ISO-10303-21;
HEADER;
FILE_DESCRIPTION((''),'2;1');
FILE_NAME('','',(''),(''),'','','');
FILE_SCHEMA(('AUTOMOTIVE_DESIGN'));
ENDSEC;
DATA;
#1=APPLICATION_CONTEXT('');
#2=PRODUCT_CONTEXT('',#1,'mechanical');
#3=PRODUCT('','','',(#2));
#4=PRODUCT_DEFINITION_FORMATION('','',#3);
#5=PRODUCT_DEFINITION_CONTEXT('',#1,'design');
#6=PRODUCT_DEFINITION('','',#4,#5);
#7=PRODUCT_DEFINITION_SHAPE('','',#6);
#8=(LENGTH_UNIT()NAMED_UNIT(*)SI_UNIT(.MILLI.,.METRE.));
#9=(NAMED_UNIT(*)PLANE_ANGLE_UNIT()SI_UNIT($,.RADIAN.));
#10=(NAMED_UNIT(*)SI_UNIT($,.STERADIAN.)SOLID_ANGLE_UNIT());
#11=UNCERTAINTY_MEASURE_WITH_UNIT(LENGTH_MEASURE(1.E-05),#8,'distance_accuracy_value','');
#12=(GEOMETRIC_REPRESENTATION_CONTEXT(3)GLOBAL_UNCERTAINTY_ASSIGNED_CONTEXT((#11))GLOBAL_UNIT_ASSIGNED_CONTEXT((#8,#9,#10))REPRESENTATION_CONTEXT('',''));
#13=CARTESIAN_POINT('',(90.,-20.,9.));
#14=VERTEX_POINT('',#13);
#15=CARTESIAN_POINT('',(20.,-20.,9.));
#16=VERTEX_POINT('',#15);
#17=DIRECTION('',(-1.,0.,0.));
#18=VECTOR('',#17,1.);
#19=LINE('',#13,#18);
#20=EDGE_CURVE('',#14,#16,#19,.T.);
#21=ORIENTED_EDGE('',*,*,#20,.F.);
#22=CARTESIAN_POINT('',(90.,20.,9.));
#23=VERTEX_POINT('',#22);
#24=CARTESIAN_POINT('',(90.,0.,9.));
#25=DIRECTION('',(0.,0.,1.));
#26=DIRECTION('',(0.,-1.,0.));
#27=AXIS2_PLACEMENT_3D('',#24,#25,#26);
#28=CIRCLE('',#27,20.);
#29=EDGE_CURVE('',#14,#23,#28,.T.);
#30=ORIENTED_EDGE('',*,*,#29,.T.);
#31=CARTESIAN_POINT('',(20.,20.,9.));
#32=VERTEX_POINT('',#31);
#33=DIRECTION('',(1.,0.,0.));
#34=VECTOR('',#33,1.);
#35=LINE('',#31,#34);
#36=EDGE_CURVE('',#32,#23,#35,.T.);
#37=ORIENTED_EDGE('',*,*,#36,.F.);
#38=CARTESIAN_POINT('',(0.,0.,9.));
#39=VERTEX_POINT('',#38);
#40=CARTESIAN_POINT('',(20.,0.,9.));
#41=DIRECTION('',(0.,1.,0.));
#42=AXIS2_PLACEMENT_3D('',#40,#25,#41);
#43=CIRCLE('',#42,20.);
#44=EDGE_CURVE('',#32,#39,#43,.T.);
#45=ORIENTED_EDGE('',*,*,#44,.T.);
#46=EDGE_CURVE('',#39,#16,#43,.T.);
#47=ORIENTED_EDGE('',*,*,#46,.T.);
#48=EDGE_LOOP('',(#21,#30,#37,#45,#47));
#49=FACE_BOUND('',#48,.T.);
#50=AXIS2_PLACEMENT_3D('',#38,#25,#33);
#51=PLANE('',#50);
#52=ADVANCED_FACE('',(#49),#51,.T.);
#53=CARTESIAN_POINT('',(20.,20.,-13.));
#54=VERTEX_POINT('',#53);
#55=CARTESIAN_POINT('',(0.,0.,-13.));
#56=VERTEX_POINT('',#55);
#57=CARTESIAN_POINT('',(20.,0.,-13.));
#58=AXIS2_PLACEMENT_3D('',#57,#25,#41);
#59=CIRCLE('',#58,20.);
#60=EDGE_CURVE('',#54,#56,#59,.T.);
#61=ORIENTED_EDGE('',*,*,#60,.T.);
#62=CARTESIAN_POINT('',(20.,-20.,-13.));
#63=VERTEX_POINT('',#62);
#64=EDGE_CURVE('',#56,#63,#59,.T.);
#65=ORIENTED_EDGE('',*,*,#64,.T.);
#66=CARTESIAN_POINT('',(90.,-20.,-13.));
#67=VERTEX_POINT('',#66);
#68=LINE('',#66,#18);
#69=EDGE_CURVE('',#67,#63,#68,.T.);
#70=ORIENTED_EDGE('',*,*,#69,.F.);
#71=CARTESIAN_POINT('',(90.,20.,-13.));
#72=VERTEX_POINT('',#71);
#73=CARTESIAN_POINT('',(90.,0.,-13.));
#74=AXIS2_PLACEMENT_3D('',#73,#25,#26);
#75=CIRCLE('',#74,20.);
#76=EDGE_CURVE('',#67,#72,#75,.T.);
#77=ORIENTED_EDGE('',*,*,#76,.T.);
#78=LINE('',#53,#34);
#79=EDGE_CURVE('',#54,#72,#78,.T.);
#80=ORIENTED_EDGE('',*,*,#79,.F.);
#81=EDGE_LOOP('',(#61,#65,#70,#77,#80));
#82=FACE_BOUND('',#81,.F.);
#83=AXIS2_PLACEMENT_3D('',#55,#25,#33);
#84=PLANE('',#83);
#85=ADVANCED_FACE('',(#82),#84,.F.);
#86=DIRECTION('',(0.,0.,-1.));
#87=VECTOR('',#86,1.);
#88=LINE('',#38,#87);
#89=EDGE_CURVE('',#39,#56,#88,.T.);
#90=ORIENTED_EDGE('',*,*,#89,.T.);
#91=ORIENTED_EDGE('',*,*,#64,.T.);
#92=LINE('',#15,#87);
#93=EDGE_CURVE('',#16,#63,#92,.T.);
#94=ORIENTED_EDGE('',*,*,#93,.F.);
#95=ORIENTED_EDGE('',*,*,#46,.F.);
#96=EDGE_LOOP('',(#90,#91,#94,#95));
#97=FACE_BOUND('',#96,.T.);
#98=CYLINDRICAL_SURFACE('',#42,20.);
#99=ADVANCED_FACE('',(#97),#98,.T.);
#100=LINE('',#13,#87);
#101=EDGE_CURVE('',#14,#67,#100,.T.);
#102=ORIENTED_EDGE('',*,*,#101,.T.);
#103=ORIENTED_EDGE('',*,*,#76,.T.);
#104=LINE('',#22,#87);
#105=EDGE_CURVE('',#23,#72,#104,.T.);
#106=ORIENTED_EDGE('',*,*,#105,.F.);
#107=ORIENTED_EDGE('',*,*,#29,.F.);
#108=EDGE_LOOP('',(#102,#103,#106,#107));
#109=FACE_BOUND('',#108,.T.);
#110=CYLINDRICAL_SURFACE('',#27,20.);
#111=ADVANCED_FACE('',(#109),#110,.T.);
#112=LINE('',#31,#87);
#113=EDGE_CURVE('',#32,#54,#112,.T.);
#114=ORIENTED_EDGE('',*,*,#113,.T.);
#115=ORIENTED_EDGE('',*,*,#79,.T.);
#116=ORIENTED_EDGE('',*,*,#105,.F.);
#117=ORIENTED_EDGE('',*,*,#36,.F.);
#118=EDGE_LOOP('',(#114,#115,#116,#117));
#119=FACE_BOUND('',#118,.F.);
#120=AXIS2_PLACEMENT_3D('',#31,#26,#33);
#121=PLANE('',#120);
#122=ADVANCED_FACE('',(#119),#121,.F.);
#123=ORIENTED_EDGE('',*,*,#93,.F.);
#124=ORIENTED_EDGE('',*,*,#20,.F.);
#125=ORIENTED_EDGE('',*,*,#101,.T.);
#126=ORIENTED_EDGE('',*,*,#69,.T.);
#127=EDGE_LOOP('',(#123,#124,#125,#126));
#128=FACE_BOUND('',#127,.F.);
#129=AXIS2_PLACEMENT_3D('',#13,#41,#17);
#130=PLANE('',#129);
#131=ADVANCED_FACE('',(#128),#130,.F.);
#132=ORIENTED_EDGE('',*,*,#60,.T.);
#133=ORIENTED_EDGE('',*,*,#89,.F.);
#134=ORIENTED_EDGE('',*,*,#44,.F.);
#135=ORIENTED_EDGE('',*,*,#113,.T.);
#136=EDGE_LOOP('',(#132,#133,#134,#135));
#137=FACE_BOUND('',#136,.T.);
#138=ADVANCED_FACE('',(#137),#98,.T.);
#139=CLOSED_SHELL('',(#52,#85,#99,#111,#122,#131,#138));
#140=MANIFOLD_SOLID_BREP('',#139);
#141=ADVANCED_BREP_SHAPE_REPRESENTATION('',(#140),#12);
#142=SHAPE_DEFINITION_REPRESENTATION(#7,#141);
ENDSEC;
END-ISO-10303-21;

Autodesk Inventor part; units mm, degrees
sketch "Szkic1" plane through (0, 0, 0) normal (0, 0, 1) x (1, 0, 0)
  line L0 (20, 20) -> (90, 20)
  line L1 (90, -20) -> (20, -20)
  arc A0 (20, 20) -> (20, -20) centre (20, 0) ccw
  line L2 (0, 9.4) -> (0, -7.4) projected
  line L3 (-5, 0) -> (30, 0) projected
  arc A1 (90, -20) -> (90, 20) centre (90, 0) ccw
  line L4 (110, 0) -> (110, 7) construction
  dimension "d0" = 20
  dimension "d8" = 20
  dimension "d9" = 110
ref_plane "Work Plane1" through (0, 0, -13) normal (0, 0, 1) x (1, 0, 0)
ref_plane "Work Plane2" through (0, 0, 9) normal (0, 0, 1) x (1, 0, 0)
extrude "Bryła1" add sketch "Szkic1" against normal up to surface (22 mm away) from surface at 9
ref_plane "Work Plane3" through (110, 0, 9) normal (1, 0, 0) x (0, 1, 0)
equation "\"d0\" = 0.5 * PB"
equation "\"d8\" = 0.5 * PB"
equation "\"d9\" = NLG"
equation "\"d1\" = -PNT"
equation "\"d2\" = PH - PNT"
equation "\"NLG\" = 110"
equation "\"PNT\" = 13"
equation "\"PH\" = 22"
equation "\"RR\" = 0.001"
equation "\"PHH\" = 0"
equation "\"PUEB\" = 9.4"
equation "\"PB\" = 40"
properties part number "DIN 6885 - A 40 x 22 x 110" material "Stal, miękka"
